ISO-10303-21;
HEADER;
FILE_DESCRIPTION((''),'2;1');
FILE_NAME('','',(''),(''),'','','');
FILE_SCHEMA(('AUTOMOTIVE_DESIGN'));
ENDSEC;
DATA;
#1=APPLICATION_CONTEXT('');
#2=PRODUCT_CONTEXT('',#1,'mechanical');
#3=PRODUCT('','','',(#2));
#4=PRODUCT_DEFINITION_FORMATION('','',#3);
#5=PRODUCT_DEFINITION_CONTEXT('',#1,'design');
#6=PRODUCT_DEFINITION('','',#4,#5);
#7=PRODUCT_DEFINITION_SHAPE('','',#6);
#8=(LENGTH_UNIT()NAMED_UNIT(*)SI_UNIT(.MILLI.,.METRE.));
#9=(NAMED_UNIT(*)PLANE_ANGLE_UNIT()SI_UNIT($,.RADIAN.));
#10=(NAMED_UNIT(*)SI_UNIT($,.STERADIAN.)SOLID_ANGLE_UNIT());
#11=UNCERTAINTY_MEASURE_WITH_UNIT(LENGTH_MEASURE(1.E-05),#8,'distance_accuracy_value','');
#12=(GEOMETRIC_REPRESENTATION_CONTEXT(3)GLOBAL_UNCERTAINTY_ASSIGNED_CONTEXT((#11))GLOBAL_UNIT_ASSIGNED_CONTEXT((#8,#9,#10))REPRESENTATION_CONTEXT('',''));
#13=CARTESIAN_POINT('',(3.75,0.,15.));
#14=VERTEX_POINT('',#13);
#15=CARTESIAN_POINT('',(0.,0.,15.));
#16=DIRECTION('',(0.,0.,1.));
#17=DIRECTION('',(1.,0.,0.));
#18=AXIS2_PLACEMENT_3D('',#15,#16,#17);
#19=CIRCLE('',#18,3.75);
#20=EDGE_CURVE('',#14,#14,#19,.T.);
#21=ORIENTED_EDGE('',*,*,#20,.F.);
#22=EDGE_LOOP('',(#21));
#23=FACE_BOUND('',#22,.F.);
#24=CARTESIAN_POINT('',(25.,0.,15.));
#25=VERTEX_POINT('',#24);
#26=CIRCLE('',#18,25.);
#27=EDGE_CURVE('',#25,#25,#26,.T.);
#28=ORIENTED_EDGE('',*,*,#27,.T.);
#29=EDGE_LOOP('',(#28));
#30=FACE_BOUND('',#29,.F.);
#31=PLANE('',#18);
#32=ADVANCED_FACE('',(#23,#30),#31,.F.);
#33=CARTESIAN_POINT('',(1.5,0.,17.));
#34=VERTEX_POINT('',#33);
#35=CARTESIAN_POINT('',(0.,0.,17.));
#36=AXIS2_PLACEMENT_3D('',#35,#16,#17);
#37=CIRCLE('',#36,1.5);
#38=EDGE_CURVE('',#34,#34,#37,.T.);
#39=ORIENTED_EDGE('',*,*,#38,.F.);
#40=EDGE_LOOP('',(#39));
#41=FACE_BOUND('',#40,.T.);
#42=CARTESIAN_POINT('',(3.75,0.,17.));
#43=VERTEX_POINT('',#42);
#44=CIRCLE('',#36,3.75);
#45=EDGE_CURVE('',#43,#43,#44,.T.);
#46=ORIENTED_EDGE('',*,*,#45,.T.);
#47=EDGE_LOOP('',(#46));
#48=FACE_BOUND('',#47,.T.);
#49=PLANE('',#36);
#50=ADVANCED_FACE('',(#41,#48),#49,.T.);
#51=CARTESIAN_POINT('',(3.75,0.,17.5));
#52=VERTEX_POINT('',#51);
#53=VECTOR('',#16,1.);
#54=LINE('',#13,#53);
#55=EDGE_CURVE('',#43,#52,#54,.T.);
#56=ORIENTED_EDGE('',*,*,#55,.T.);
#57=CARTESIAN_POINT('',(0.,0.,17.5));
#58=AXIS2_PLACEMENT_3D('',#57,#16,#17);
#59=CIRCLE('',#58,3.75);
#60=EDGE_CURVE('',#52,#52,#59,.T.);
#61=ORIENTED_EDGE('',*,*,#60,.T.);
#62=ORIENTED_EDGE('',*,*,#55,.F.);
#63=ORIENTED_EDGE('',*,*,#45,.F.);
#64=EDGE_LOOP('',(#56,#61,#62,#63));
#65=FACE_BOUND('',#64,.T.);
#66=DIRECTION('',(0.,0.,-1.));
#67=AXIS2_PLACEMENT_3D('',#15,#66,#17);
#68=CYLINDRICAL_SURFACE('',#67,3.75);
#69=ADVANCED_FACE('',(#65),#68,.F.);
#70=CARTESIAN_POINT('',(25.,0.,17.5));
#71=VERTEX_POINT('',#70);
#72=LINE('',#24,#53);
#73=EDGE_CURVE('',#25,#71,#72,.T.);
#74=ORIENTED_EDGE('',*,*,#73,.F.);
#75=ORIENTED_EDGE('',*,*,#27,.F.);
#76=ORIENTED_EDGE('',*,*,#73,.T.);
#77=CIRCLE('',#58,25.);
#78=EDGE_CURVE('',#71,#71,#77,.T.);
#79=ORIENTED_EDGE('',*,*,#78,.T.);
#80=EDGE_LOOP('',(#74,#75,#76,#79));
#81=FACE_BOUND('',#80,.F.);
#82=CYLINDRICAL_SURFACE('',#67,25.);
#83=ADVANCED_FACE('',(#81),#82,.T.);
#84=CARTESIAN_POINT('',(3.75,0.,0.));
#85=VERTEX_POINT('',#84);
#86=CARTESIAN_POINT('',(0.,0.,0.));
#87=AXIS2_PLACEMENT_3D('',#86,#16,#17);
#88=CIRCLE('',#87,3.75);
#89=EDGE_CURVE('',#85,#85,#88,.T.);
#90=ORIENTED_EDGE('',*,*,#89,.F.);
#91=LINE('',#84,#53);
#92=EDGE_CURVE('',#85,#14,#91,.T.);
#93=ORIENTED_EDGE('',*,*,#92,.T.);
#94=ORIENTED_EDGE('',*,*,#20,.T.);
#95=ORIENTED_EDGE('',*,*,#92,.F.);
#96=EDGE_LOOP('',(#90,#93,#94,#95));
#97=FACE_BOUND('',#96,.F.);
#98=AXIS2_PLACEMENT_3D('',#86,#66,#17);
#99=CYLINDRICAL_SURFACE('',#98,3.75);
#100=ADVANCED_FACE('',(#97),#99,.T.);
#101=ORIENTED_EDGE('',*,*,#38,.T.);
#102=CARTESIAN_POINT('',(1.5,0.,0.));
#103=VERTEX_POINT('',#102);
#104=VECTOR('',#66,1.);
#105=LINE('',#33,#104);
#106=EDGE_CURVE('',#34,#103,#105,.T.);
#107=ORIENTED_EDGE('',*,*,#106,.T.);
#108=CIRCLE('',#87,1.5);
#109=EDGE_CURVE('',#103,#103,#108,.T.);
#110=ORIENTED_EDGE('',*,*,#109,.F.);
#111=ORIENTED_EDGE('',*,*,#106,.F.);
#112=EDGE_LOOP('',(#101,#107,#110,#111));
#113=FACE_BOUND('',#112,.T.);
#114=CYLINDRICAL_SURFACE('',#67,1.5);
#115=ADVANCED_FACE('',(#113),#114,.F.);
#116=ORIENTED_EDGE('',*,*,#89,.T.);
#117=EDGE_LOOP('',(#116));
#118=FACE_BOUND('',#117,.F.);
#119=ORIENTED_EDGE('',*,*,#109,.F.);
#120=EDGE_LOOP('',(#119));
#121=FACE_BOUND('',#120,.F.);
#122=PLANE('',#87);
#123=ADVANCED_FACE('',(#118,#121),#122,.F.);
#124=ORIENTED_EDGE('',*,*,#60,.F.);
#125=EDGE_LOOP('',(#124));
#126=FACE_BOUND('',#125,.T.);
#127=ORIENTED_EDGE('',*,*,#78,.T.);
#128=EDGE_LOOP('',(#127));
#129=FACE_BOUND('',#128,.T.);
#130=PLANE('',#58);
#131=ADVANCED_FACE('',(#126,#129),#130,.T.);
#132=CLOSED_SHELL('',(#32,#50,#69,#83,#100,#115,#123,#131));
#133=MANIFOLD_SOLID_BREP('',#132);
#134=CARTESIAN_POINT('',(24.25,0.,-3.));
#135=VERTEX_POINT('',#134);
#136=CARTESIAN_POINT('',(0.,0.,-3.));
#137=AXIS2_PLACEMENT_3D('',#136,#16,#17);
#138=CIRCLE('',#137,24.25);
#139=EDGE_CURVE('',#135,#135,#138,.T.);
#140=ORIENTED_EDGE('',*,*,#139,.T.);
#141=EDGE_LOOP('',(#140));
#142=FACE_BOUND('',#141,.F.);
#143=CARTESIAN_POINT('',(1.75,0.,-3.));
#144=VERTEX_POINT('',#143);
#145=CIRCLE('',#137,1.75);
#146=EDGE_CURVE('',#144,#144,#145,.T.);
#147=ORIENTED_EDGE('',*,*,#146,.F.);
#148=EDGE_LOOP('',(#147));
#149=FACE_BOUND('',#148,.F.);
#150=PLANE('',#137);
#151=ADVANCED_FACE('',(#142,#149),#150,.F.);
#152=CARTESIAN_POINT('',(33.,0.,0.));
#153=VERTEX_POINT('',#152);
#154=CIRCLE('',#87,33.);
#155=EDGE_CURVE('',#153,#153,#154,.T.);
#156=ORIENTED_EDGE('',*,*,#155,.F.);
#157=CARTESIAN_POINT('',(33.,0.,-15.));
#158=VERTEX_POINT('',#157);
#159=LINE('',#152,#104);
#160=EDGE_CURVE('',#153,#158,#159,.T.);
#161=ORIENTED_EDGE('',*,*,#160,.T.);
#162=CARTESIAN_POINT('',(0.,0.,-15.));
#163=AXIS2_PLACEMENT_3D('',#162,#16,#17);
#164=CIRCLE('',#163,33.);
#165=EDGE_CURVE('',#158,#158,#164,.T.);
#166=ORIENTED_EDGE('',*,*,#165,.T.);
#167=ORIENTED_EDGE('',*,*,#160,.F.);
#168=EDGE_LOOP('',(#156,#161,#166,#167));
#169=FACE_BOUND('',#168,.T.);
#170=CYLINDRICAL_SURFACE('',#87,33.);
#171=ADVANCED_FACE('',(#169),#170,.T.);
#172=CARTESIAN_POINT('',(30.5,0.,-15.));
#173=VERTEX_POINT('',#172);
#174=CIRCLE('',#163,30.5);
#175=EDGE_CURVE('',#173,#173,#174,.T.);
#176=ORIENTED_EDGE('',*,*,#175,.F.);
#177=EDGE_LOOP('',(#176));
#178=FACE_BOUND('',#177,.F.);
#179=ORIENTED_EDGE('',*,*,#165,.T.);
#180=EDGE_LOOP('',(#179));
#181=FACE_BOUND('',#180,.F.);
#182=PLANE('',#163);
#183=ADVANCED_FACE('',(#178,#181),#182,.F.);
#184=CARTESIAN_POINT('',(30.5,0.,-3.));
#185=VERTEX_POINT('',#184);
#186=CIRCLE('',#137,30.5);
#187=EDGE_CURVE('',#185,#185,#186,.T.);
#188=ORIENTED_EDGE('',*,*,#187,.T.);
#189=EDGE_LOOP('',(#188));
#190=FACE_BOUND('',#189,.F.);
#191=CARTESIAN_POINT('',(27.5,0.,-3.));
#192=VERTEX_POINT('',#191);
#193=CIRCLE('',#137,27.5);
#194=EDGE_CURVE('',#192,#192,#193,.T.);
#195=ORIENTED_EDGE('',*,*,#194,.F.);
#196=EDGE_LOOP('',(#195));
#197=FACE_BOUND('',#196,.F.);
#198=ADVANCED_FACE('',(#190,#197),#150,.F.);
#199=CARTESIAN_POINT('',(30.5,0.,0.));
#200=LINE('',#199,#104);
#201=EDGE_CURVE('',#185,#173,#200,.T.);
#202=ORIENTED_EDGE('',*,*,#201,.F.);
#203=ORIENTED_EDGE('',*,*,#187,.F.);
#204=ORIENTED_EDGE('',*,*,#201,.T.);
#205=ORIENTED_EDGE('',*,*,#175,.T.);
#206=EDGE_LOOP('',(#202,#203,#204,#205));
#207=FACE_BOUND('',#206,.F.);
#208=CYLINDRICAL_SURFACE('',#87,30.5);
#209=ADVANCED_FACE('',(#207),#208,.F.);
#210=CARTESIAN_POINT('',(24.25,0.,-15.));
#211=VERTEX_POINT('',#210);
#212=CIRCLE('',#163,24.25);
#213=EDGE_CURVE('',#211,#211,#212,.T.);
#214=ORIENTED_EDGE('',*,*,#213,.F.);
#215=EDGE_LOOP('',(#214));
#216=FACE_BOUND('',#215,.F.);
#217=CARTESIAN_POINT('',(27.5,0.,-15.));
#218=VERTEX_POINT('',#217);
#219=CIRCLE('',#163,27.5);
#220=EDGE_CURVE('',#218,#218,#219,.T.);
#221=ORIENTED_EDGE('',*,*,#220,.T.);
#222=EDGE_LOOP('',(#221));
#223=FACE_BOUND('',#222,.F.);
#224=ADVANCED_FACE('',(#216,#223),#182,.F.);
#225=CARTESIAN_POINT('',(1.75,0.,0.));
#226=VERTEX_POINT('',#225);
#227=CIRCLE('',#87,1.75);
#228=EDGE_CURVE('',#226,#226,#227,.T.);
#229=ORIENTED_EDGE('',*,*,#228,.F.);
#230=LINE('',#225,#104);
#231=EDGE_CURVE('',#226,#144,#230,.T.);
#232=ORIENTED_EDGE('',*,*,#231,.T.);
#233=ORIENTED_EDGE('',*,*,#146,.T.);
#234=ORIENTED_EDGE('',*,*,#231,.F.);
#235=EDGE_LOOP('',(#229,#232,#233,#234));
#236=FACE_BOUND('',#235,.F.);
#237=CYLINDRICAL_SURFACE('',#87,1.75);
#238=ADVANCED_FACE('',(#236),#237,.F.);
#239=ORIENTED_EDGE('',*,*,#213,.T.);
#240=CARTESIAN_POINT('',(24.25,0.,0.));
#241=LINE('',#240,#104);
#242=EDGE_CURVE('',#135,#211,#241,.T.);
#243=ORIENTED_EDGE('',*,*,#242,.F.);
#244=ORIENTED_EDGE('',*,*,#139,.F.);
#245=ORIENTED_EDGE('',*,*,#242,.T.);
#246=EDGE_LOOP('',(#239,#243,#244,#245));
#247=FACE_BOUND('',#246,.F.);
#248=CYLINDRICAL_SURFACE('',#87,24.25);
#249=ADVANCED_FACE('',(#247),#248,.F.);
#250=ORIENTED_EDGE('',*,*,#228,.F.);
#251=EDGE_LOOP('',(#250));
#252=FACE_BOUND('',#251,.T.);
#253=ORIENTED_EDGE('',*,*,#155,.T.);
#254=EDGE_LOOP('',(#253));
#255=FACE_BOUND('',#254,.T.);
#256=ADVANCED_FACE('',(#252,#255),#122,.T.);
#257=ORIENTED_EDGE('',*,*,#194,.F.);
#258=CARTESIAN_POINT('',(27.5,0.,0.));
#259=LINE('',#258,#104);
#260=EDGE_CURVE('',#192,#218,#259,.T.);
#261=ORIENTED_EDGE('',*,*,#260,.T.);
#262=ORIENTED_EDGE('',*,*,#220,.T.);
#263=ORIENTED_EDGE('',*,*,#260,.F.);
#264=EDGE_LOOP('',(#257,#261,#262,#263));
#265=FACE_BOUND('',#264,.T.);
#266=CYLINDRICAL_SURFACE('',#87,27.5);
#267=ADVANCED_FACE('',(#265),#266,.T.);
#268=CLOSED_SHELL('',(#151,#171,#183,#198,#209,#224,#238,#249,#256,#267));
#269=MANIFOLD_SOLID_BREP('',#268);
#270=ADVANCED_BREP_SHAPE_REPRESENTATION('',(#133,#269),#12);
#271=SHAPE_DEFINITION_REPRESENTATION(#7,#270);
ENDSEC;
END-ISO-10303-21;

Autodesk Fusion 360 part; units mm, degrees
sketch "bottle-mid" plane through (0, 0, 0) normal (0, 0, 1) x (1, 0, 0)
  circle A0 centre (0, 0) radius 27.5
  circle A1 centre (0, 0) radius 30.5
  circle A2 centre (0, 0) radius 33
  circle A3 centre (0, 0) radius 1.75
  circle A4 centre (0, 0) radius 24.25
  dimension "d19" = 55
  dimension "d20" = 3
  dimension "d21" = 5.5
  dimension "d34" = 3.5
  dimension "d37" = -3.25
extrude "Extrude7" add sketch "bottle-mid" against normal blind 15 contours A0 | A3 | A4 makes body 1
extrude "Extrude8" add sketch "bottle-mid" against normal blind 3 contours A1 bodies 1
extrude "Extrude9" add sketch "bottle-mid" against normal up to surface (15 mm away) contours A2 bodies 1
extrude "Extrude12" cut sketch "bottle-mid" against normal up to surface (15 mm away) contours A3 | A4 bodies 1
extrude "Extrude13" add sketch "bottle-mid" against normal blind 3 contours A4 bodies 1
sketch "top" plane through (0, 0, 0) normal (0, 0, 1) x (1, 0, 0)
  circle A0 centre (0, 0) radius 25
  circle A1 centre (0, 0) radius 3.75
  circle A2 centre (0, 0) radius 1.5
  dimension "d40" = 50
  dimension "d41" = 7.5
  dimension "d47" = 3
extrude "Extrude14" add sketch "top" along normal blind 15 separate body contours A1 | A2 makes body 2
extrude "Extrude15" add sketch "top" along normal blind 2.5 from surface at 15 contours A0 bodies 2
extrude "Extrude16" cut sketch "top" along normal up to surface (15 mm away) contours A2 bodies 2
extrude "Extrude17" add 1 faces at (2.9805, -0.2608, 15) along direction (0, 0, 1) blind 2 on bodies 2 bodies 2
